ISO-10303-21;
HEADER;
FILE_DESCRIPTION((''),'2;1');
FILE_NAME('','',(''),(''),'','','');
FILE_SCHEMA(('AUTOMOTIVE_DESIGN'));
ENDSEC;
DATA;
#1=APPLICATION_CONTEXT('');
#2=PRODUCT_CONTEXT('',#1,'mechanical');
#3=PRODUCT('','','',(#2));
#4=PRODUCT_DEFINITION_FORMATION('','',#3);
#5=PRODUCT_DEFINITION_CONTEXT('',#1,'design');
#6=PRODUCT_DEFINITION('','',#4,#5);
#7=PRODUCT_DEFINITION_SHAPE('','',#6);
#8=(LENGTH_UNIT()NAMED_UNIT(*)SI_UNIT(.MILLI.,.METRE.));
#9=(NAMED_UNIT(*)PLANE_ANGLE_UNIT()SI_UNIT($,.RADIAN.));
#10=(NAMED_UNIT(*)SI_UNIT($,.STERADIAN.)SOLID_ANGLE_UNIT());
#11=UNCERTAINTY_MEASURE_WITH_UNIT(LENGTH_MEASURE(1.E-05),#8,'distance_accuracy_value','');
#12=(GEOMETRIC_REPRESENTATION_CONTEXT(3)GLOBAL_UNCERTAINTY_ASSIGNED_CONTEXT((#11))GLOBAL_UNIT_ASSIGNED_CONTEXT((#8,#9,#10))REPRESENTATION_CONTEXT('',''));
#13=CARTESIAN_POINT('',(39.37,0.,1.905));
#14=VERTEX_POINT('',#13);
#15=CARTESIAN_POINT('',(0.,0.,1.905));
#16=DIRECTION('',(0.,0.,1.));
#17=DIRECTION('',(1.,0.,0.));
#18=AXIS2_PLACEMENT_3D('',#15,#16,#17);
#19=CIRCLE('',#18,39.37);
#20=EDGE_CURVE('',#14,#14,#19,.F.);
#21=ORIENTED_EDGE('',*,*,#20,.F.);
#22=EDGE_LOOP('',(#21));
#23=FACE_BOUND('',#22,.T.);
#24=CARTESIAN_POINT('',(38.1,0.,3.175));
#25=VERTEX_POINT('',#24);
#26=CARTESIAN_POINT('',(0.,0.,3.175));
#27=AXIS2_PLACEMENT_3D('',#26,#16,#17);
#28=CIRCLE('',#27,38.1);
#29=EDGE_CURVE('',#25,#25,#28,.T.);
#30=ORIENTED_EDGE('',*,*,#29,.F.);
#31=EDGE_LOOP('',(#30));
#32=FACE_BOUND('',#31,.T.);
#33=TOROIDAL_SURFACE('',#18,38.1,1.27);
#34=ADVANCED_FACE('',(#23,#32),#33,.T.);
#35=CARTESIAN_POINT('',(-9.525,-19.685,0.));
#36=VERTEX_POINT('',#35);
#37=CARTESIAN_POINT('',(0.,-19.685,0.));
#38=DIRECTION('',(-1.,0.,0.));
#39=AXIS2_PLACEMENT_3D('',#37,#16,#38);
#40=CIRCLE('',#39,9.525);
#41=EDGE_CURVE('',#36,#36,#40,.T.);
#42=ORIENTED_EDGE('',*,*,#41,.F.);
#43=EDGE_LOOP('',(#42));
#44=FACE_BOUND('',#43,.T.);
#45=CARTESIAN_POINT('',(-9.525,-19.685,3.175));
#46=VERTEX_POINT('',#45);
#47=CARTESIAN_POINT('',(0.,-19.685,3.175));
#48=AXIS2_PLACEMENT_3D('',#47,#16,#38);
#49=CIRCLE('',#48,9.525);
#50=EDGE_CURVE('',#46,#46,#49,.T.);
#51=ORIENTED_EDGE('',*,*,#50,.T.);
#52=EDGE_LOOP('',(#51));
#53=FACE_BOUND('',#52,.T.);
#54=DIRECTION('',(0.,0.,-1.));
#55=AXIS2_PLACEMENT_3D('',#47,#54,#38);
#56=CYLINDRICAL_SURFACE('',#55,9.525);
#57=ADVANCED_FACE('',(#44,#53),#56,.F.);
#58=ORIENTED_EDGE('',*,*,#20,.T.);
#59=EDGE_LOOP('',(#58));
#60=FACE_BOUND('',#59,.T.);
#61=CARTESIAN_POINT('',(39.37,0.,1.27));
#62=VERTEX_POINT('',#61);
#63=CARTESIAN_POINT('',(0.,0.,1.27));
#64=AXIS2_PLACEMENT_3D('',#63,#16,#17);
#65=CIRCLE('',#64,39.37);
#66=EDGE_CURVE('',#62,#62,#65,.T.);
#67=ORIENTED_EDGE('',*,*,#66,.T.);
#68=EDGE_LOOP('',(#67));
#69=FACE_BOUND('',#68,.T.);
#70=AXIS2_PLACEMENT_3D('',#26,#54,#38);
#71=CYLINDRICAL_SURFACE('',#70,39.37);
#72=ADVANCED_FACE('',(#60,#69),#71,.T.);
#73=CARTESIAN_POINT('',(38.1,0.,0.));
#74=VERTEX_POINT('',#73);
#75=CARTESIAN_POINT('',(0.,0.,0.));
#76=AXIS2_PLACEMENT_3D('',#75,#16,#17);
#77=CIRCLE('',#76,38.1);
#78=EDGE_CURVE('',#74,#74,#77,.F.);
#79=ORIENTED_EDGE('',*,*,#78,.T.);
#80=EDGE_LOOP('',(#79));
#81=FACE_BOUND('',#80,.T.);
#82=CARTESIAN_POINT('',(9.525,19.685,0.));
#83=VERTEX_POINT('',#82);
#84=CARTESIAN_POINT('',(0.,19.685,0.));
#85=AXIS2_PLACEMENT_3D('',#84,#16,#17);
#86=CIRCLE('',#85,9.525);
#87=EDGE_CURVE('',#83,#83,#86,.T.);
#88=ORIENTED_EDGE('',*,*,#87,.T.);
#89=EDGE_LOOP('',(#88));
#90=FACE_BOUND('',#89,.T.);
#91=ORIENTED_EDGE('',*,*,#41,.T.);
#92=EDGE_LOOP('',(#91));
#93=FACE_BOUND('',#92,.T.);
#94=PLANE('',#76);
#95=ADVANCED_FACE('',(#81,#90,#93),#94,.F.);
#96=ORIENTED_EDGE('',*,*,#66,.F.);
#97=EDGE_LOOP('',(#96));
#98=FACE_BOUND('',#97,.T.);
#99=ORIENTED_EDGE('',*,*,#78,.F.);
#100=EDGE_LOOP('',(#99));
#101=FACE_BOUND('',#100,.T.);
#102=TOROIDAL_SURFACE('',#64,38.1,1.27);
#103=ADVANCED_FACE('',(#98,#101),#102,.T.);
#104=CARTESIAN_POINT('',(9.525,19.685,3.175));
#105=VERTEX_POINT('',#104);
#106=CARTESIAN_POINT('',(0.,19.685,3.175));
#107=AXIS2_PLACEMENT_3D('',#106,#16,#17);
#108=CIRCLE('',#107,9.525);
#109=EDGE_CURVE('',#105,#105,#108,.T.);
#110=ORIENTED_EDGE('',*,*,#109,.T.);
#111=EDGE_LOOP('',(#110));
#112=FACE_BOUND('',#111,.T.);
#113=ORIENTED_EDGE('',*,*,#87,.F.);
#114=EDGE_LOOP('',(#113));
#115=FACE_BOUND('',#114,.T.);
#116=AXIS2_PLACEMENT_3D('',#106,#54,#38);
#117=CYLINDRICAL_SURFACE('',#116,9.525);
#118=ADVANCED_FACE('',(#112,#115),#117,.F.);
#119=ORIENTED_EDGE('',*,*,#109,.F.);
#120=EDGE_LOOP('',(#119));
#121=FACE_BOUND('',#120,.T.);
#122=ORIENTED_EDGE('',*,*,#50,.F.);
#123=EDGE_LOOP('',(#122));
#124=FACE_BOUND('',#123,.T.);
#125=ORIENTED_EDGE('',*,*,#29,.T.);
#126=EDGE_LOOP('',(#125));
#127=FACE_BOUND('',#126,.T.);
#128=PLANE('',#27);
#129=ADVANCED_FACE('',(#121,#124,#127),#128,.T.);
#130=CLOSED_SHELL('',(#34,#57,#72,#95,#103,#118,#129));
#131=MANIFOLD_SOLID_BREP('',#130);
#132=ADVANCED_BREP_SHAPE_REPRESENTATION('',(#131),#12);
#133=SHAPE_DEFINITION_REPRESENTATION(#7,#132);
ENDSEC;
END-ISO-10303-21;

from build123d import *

# Parameters (mm, degrees)
SKETCH2_R           = 39.37
SKETCH2_R_2         = 9.525
BOSS_EXTRUDE2_DEPTH = 3.175
FILLET1_R           = 1.27


with BuildPart() as part:
    # Sketch2 → Boss-Extrude2 (new body)
    with BuildSketch(Plane.XY):
        Circle(SKETCH2_R)
        with Locations((0, 19.685)):
            Circle(SKETCH2_R_2, mode=Mode.SUBTRACT)
        with Locations((0, -19.685)):
            Circle(SKETCH2_R_2, mode=Mode.SUBTRACT)
    extrude(amount=BOSS_EXTRUDE2_DEPTH)

    # Fillet1
    fillet1_edges = [part.edges().sort_by_distance(p)[0] for p in [
        (-39.37, 0, 0),
        (-39.37, 0, 3.175),
    ]]
    fillet(fillet1_edges, radius=FILLET1_R)


solid = part.part
